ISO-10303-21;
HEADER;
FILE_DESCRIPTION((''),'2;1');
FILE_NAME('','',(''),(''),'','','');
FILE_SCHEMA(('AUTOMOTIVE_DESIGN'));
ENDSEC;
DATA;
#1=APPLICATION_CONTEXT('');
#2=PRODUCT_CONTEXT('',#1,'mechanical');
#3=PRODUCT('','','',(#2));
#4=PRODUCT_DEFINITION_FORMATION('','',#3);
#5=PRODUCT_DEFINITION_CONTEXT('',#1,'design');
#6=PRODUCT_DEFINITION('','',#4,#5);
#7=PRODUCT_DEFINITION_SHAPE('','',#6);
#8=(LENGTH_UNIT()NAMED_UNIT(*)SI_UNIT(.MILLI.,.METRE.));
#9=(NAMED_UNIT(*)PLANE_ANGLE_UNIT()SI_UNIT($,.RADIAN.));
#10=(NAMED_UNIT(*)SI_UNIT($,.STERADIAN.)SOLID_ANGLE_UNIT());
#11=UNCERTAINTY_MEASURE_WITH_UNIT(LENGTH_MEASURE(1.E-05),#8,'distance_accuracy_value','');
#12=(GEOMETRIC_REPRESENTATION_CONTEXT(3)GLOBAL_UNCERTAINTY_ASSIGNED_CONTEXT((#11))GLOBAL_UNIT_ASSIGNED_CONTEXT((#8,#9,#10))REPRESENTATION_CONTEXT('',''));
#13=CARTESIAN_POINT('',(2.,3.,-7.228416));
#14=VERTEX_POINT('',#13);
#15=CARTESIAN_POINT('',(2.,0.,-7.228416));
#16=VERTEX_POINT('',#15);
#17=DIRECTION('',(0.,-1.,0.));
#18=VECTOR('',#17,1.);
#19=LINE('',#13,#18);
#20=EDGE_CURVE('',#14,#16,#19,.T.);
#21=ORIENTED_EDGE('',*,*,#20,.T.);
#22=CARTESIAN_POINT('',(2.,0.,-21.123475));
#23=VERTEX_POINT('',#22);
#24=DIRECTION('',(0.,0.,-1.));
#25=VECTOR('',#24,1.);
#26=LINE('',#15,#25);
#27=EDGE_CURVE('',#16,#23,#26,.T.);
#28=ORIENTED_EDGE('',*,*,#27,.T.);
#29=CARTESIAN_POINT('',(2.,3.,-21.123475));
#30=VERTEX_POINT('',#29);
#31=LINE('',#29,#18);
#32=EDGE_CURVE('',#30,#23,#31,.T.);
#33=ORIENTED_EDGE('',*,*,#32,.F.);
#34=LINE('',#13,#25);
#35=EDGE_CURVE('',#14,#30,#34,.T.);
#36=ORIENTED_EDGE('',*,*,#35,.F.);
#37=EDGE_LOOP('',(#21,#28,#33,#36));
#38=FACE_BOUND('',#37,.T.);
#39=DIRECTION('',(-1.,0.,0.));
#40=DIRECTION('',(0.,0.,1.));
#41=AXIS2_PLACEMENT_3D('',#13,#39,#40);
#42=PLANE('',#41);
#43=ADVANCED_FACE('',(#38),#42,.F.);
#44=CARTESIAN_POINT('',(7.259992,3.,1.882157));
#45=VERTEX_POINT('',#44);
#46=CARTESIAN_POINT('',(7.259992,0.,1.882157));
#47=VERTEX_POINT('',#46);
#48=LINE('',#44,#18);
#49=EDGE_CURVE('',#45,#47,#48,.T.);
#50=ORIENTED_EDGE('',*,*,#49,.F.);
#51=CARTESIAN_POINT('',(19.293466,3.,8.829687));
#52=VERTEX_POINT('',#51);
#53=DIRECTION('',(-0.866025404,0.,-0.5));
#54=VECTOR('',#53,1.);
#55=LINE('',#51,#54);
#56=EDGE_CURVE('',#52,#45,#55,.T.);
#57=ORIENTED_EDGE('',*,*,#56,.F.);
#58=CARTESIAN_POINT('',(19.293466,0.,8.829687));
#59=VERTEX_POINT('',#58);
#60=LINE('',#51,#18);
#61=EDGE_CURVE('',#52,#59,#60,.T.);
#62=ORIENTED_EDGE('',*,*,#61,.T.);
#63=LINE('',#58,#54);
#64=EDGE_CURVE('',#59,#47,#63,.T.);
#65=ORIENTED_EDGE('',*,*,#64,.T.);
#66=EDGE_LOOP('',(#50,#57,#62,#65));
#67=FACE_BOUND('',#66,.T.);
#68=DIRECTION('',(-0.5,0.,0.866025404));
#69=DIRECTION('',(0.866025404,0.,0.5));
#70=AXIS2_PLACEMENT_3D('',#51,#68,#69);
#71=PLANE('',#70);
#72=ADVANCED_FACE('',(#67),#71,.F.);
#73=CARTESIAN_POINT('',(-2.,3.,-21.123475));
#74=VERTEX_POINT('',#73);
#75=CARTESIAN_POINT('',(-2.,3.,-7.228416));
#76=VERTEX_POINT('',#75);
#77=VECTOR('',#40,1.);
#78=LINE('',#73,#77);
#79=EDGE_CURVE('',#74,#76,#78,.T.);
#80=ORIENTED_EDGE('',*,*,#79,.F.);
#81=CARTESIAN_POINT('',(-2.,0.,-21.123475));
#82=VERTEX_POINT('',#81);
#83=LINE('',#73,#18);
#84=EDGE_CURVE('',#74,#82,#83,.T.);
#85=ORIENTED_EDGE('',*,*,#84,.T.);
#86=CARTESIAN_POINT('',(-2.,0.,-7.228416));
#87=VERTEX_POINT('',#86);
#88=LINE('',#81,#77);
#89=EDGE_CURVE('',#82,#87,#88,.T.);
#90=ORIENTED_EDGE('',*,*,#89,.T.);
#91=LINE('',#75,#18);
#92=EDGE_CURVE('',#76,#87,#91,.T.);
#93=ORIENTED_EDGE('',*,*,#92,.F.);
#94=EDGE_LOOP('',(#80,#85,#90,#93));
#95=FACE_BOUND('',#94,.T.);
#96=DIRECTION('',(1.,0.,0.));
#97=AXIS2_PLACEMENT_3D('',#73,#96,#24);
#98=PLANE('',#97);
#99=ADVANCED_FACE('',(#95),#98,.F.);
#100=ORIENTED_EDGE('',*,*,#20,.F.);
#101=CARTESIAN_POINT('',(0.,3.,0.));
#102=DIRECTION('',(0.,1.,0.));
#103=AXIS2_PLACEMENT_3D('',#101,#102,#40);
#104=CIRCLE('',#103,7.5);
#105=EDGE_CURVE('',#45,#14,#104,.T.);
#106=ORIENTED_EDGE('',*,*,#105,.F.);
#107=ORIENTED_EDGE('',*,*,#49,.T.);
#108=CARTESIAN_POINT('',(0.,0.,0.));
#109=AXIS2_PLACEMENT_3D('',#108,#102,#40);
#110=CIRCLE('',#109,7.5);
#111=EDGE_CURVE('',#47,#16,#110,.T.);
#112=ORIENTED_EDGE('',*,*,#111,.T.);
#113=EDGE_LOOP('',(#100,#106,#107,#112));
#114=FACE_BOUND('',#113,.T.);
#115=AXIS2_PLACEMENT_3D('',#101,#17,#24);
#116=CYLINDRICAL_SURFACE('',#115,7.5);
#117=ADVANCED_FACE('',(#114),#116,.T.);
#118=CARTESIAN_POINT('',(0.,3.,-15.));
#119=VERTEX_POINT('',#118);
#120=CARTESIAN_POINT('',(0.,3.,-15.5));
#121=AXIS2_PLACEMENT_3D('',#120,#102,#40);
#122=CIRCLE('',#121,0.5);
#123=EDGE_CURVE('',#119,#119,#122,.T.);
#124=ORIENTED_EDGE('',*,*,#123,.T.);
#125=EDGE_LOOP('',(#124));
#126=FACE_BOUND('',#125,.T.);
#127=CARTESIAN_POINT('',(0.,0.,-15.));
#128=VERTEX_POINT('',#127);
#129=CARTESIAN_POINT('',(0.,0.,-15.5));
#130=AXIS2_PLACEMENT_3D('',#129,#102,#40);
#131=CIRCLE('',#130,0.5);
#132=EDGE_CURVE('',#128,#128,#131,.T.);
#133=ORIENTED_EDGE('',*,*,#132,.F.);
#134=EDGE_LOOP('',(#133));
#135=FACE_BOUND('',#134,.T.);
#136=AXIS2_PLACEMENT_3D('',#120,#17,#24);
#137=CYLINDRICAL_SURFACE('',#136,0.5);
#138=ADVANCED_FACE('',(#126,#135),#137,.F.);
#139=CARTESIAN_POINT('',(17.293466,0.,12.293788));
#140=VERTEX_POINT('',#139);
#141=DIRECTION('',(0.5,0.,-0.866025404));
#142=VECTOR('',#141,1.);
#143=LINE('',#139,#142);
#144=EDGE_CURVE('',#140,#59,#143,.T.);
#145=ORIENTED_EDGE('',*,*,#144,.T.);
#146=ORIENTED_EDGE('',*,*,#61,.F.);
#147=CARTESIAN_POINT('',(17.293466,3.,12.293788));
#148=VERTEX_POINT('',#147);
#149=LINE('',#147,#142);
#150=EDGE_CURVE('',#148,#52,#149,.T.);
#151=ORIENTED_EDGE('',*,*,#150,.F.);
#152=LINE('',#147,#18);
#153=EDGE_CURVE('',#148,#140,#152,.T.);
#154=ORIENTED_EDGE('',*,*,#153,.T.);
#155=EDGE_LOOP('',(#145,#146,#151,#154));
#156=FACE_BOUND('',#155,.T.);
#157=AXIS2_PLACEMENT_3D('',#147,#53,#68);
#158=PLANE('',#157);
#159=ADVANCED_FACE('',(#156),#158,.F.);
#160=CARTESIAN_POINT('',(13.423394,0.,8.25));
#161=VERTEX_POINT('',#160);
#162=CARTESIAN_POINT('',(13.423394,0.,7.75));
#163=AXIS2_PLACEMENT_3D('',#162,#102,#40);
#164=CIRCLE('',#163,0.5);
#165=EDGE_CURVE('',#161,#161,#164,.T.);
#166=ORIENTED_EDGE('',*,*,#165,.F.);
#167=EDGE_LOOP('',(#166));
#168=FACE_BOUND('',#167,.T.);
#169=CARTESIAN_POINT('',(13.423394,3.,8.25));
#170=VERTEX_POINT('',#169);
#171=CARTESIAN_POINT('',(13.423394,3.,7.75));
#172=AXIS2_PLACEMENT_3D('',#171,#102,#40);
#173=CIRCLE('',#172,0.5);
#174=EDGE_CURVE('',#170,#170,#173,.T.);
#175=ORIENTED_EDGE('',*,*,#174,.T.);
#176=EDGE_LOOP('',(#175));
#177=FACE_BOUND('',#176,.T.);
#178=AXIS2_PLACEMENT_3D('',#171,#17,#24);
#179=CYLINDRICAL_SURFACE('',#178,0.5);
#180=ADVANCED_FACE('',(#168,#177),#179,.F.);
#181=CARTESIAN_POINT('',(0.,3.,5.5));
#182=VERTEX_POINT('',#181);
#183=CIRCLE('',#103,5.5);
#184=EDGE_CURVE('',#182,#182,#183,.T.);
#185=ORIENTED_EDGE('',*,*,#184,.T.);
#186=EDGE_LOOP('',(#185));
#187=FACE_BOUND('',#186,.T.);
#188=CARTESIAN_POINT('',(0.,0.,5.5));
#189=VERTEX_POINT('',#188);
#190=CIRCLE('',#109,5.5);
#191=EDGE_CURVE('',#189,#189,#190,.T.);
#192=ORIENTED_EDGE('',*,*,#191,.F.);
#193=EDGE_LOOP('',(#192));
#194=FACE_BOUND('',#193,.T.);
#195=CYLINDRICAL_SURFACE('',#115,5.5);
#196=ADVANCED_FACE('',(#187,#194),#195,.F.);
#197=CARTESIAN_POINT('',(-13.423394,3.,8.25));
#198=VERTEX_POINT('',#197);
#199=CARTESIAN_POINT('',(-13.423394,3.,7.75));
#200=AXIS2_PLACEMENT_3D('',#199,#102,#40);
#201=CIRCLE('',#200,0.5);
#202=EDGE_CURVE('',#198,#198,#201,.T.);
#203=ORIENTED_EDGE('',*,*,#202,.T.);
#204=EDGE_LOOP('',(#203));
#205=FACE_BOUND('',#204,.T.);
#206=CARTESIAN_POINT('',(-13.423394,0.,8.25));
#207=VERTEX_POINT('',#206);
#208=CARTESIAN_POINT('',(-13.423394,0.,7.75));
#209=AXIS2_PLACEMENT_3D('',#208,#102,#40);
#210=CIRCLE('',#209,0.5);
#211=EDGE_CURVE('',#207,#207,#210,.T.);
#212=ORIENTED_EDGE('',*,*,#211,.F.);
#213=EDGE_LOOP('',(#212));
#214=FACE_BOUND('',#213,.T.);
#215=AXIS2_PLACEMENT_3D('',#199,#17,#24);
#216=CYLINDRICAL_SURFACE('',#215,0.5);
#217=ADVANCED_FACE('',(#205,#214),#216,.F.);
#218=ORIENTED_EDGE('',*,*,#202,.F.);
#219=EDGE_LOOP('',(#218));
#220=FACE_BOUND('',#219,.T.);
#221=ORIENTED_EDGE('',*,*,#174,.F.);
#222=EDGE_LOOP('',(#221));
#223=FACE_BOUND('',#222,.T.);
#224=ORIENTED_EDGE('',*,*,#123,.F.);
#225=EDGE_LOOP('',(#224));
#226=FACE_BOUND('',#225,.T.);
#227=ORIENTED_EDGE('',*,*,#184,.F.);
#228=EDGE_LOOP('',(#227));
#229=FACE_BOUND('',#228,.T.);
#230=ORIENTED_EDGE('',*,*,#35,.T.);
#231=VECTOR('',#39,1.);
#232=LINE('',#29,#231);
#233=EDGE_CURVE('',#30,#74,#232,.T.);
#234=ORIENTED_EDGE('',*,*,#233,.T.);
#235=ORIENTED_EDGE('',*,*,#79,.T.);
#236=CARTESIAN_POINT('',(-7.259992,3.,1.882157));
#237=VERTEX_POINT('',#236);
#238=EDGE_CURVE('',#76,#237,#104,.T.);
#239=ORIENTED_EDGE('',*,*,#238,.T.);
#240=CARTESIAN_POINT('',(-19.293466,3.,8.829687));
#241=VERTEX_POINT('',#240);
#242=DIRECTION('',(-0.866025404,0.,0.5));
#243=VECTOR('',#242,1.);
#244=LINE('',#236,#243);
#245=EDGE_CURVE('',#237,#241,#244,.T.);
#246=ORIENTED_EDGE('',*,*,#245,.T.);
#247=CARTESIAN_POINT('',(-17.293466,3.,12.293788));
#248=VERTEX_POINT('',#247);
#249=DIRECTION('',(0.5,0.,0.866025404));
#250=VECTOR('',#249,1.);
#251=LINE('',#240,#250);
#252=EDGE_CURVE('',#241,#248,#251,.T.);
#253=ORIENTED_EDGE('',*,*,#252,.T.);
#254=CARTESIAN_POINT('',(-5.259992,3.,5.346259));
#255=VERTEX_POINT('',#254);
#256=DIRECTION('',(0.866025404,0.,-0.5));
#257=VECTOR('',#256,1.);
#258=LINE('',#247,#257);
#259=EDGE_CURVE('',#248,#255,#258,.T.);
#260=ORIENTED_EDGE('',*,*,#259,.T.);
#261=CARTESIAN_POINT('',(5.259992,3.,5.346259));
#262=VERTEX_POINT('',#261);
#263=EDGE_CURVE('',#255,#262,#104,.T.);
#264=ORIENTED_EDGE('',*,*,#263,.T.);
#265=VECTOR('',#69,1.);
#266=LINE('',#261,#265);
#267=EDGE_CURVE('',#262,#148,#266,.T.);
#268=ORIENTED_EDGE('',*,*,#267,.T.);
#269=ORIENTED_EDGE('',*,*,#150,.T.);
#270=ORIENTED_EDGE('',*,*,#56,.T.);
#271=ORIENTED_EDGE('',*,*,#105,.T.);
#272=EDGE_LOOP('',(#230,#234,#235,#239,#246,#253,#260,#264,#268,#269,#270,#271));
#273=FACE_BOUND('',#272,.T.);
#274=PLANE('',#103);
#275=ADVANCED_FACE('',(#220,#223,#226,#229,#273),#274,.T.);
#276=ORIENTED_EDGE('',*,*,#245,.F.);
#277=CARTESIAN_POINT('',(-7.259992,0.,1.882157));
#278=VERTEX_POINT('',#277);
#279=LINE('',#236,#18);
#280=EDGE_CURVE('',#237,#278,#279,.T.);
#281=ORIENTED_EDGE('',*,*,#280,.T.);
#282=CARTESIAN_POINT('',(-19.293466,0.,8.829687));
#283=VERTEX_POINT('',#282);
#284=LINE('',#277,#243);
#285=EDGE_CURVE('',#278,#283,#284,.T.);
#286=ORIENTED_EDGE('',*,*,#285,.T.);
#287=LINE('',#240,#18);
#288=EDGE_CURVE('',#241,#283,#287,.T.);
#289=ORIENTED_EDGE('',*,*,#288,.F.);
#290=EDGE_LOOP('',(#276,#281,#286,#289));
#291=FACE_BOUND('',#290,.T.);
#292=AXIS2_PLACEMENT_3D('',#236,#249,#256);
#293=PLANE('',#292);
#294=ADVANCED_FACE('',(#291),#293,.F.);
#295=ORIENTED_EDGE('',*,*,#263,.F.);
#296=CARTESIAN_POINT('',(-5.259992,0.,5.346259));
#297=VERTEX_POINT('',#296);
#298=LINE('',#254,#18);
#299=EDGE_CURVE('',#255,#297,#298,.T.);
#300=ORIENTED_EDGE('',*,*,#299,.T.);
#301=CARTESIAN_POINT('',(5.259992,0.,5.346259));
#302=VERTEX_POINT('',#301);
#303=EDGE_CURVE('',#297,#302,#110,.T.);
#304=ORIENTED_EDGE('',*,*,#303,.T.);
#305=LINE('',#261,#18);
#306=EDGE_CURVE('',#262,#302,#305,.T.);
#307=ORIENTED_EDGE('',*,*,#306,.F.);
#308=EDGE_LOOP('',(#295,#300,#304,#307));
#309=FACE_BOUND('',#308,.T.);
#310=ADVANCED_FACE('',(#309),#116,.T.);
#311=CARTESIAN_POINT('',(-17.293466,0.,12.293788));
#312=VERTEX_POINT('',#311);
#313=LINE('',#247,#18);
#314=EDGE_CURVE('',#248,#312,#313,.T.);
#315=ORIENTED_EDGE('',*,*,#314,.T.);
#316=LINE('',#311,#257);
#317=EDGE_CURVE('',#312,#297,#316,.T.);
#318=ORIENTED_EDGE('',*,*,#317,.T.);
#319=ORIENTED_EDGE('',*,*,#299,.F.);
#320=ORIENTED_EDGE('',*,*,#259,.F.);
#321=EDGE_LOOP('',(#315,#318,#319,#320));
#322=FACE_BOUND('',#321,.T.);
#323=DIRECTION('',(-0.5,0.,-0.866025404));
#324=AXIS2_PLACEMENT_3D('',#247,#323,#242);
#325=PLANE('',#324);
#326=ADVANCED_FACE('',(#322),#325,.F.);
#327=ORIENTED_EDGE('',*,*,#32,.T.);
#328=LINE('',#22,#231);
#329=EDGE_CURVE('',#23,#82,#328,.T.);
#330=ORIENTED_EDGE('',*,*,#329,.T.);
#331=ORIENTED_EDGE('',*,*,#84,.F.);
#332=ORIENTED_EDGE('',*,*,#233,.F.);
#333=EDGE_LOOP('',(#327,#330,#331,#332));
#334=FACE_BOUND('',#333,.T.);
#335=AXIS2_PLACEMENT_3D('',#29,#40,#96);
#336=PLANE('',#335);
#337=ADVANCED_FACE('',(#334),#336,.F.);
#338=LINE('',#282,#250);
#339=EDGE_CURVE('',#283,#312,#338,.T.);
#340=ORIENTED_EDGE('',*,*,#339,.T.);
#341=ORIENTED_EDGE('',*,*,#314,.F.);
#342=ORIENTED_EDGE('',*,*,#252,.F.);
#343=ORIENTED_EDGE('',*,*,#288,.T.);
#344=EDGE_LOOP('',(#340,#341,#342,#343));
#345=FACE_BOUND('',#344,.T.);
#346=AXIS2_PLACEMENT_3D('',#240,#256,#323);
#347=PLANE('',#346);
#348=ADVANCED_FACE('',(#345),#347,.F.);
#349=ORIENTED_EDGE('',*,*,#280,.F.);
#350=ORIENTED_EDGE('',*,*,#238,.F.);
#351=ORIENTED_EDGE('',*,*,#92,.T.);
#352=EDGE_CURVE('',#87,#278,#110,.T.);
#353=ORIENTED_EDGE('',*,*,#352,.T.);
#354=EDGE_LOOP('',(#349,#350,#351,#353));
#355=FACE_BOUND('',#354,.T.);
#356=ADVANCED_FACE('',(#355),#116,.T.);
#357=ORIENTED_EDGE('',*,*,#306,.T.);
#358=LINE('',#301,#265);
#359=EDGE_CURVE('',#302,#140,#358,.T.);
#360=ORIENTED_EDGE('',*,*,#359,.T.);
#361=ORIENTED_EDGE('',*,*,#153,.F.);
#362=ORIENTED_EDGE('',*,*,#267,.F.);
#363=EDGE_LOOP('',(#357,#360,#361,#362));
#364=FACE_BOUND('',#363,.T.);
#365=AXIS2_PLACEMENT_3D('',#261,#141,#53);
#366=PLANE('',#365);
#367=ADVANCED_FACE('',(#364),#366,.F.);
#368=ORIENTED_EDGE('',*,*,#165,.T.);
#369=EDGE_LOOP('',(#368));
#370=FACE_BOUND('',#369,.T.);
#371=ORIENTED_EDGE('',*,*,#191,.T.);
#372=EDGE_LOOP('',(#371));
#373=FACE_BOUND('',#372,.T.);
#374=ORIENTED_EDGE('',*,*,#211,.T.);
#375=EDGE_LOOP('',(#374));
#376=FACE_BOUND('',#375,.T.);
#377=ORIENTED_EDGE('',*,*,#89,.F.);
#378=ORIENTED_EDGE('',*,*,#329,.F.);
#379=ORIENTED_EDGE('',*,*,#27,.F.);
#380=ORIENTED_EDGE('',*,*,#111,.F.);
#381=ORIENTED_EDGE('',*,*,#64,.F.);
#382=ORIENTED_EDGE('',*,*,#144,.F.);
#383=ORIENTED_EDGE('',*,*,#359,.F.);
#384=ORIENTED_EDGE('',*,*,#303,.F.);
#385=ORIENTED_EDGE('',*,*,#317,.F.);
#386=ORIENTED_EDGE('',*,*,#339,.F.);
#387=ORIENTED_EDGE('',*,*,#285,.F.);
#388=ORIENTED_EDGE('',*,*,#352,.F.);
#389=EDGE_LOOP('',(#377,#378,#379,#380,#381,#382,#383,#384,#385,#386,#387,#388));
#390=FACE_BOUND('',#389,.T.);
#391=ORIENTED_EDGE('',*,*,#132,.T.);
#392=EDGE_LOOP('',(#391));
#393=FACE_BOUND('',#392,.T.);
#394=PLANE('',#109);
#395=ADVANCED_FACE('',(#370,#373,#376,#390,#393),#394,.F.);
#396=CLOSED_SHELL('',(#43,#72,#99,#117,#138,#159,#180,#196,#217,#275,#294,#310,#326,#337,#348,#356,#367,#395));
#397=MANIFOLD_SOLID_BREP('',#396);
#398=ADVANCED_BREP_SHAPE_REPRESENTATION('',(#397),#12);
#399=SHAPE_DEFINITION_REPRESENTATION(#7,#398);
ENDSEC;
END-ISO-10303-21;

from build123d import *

# Parameters (mm, degrees)
CROQUIS1_R              = 5.5
CROQUIS1_R_2            = 0.5
SALIENTE_EXTRUIR2_DEPTH = 3


with BuildPart() as part:
    # Croquis1 → Saliente-Extruir2 (new body)
    with BuildSketch(Plane(origin=(0, 0, 0), x_dir=(1, 0, 0), z_dir=(0, 1, 0))):
        with BuildLine():
            Line((-19.293466298, -8.829686884), (-17.293466298, -12.293788499))
            Line((-17.293466298, -12.293788499), (-5.259992013, -5.346258881))
            ThreePointArc((-5.259992013, -5.346258881), (0, -7.5), (5.259992013, -5.346258881))
            Line((5.259992013, -5.346258881), (17.293466298, -12.293788499))
            Line((17.293466298, -12.293788499), (19.293466298, -8.829686884))
            Line((19.293466298, -8.829686884), (7.259992013, -1.882157266))
            ThreePointArc((7.259992013, -1.882157266), (6.495190528, 3.75), (2, 7.228416147))
            Line((2, 7.228416147), (2, 21.123475383))
            Line((2, 21.123475383), (-2, 21.123475383))
            Line((-2, 21.123475383), (-2, 7.228416147))
            ThreePointArc((-2, 7.228416147), (-6.495190528, 3.75), (-7.259992013, -1.882157266))
            Line((-7.259992013, -1.882157266), (-19.293466298, -8.829686884))
        make_face()
        Circle(CROQUIS1_R, mode=Mode.SUBTRACT)
        with Locations((-13.423393759, -7.75)):
            Circle(CROQUIS1_R_2, mode=Mode.SUBTRACT)
        with Locations((0, 15.5)):
            Circle(CROQUIS1_R_2, mode=Mode.SUBTRACT)
        with Locations((13.423393759, -7.75)):
            Circle(CROQUIS1_R_2, mode=Mode.SUBTRACT)
    extrude(amount=SALIENTE_EXTRUIR2_DEPTH)


solid = part.part
